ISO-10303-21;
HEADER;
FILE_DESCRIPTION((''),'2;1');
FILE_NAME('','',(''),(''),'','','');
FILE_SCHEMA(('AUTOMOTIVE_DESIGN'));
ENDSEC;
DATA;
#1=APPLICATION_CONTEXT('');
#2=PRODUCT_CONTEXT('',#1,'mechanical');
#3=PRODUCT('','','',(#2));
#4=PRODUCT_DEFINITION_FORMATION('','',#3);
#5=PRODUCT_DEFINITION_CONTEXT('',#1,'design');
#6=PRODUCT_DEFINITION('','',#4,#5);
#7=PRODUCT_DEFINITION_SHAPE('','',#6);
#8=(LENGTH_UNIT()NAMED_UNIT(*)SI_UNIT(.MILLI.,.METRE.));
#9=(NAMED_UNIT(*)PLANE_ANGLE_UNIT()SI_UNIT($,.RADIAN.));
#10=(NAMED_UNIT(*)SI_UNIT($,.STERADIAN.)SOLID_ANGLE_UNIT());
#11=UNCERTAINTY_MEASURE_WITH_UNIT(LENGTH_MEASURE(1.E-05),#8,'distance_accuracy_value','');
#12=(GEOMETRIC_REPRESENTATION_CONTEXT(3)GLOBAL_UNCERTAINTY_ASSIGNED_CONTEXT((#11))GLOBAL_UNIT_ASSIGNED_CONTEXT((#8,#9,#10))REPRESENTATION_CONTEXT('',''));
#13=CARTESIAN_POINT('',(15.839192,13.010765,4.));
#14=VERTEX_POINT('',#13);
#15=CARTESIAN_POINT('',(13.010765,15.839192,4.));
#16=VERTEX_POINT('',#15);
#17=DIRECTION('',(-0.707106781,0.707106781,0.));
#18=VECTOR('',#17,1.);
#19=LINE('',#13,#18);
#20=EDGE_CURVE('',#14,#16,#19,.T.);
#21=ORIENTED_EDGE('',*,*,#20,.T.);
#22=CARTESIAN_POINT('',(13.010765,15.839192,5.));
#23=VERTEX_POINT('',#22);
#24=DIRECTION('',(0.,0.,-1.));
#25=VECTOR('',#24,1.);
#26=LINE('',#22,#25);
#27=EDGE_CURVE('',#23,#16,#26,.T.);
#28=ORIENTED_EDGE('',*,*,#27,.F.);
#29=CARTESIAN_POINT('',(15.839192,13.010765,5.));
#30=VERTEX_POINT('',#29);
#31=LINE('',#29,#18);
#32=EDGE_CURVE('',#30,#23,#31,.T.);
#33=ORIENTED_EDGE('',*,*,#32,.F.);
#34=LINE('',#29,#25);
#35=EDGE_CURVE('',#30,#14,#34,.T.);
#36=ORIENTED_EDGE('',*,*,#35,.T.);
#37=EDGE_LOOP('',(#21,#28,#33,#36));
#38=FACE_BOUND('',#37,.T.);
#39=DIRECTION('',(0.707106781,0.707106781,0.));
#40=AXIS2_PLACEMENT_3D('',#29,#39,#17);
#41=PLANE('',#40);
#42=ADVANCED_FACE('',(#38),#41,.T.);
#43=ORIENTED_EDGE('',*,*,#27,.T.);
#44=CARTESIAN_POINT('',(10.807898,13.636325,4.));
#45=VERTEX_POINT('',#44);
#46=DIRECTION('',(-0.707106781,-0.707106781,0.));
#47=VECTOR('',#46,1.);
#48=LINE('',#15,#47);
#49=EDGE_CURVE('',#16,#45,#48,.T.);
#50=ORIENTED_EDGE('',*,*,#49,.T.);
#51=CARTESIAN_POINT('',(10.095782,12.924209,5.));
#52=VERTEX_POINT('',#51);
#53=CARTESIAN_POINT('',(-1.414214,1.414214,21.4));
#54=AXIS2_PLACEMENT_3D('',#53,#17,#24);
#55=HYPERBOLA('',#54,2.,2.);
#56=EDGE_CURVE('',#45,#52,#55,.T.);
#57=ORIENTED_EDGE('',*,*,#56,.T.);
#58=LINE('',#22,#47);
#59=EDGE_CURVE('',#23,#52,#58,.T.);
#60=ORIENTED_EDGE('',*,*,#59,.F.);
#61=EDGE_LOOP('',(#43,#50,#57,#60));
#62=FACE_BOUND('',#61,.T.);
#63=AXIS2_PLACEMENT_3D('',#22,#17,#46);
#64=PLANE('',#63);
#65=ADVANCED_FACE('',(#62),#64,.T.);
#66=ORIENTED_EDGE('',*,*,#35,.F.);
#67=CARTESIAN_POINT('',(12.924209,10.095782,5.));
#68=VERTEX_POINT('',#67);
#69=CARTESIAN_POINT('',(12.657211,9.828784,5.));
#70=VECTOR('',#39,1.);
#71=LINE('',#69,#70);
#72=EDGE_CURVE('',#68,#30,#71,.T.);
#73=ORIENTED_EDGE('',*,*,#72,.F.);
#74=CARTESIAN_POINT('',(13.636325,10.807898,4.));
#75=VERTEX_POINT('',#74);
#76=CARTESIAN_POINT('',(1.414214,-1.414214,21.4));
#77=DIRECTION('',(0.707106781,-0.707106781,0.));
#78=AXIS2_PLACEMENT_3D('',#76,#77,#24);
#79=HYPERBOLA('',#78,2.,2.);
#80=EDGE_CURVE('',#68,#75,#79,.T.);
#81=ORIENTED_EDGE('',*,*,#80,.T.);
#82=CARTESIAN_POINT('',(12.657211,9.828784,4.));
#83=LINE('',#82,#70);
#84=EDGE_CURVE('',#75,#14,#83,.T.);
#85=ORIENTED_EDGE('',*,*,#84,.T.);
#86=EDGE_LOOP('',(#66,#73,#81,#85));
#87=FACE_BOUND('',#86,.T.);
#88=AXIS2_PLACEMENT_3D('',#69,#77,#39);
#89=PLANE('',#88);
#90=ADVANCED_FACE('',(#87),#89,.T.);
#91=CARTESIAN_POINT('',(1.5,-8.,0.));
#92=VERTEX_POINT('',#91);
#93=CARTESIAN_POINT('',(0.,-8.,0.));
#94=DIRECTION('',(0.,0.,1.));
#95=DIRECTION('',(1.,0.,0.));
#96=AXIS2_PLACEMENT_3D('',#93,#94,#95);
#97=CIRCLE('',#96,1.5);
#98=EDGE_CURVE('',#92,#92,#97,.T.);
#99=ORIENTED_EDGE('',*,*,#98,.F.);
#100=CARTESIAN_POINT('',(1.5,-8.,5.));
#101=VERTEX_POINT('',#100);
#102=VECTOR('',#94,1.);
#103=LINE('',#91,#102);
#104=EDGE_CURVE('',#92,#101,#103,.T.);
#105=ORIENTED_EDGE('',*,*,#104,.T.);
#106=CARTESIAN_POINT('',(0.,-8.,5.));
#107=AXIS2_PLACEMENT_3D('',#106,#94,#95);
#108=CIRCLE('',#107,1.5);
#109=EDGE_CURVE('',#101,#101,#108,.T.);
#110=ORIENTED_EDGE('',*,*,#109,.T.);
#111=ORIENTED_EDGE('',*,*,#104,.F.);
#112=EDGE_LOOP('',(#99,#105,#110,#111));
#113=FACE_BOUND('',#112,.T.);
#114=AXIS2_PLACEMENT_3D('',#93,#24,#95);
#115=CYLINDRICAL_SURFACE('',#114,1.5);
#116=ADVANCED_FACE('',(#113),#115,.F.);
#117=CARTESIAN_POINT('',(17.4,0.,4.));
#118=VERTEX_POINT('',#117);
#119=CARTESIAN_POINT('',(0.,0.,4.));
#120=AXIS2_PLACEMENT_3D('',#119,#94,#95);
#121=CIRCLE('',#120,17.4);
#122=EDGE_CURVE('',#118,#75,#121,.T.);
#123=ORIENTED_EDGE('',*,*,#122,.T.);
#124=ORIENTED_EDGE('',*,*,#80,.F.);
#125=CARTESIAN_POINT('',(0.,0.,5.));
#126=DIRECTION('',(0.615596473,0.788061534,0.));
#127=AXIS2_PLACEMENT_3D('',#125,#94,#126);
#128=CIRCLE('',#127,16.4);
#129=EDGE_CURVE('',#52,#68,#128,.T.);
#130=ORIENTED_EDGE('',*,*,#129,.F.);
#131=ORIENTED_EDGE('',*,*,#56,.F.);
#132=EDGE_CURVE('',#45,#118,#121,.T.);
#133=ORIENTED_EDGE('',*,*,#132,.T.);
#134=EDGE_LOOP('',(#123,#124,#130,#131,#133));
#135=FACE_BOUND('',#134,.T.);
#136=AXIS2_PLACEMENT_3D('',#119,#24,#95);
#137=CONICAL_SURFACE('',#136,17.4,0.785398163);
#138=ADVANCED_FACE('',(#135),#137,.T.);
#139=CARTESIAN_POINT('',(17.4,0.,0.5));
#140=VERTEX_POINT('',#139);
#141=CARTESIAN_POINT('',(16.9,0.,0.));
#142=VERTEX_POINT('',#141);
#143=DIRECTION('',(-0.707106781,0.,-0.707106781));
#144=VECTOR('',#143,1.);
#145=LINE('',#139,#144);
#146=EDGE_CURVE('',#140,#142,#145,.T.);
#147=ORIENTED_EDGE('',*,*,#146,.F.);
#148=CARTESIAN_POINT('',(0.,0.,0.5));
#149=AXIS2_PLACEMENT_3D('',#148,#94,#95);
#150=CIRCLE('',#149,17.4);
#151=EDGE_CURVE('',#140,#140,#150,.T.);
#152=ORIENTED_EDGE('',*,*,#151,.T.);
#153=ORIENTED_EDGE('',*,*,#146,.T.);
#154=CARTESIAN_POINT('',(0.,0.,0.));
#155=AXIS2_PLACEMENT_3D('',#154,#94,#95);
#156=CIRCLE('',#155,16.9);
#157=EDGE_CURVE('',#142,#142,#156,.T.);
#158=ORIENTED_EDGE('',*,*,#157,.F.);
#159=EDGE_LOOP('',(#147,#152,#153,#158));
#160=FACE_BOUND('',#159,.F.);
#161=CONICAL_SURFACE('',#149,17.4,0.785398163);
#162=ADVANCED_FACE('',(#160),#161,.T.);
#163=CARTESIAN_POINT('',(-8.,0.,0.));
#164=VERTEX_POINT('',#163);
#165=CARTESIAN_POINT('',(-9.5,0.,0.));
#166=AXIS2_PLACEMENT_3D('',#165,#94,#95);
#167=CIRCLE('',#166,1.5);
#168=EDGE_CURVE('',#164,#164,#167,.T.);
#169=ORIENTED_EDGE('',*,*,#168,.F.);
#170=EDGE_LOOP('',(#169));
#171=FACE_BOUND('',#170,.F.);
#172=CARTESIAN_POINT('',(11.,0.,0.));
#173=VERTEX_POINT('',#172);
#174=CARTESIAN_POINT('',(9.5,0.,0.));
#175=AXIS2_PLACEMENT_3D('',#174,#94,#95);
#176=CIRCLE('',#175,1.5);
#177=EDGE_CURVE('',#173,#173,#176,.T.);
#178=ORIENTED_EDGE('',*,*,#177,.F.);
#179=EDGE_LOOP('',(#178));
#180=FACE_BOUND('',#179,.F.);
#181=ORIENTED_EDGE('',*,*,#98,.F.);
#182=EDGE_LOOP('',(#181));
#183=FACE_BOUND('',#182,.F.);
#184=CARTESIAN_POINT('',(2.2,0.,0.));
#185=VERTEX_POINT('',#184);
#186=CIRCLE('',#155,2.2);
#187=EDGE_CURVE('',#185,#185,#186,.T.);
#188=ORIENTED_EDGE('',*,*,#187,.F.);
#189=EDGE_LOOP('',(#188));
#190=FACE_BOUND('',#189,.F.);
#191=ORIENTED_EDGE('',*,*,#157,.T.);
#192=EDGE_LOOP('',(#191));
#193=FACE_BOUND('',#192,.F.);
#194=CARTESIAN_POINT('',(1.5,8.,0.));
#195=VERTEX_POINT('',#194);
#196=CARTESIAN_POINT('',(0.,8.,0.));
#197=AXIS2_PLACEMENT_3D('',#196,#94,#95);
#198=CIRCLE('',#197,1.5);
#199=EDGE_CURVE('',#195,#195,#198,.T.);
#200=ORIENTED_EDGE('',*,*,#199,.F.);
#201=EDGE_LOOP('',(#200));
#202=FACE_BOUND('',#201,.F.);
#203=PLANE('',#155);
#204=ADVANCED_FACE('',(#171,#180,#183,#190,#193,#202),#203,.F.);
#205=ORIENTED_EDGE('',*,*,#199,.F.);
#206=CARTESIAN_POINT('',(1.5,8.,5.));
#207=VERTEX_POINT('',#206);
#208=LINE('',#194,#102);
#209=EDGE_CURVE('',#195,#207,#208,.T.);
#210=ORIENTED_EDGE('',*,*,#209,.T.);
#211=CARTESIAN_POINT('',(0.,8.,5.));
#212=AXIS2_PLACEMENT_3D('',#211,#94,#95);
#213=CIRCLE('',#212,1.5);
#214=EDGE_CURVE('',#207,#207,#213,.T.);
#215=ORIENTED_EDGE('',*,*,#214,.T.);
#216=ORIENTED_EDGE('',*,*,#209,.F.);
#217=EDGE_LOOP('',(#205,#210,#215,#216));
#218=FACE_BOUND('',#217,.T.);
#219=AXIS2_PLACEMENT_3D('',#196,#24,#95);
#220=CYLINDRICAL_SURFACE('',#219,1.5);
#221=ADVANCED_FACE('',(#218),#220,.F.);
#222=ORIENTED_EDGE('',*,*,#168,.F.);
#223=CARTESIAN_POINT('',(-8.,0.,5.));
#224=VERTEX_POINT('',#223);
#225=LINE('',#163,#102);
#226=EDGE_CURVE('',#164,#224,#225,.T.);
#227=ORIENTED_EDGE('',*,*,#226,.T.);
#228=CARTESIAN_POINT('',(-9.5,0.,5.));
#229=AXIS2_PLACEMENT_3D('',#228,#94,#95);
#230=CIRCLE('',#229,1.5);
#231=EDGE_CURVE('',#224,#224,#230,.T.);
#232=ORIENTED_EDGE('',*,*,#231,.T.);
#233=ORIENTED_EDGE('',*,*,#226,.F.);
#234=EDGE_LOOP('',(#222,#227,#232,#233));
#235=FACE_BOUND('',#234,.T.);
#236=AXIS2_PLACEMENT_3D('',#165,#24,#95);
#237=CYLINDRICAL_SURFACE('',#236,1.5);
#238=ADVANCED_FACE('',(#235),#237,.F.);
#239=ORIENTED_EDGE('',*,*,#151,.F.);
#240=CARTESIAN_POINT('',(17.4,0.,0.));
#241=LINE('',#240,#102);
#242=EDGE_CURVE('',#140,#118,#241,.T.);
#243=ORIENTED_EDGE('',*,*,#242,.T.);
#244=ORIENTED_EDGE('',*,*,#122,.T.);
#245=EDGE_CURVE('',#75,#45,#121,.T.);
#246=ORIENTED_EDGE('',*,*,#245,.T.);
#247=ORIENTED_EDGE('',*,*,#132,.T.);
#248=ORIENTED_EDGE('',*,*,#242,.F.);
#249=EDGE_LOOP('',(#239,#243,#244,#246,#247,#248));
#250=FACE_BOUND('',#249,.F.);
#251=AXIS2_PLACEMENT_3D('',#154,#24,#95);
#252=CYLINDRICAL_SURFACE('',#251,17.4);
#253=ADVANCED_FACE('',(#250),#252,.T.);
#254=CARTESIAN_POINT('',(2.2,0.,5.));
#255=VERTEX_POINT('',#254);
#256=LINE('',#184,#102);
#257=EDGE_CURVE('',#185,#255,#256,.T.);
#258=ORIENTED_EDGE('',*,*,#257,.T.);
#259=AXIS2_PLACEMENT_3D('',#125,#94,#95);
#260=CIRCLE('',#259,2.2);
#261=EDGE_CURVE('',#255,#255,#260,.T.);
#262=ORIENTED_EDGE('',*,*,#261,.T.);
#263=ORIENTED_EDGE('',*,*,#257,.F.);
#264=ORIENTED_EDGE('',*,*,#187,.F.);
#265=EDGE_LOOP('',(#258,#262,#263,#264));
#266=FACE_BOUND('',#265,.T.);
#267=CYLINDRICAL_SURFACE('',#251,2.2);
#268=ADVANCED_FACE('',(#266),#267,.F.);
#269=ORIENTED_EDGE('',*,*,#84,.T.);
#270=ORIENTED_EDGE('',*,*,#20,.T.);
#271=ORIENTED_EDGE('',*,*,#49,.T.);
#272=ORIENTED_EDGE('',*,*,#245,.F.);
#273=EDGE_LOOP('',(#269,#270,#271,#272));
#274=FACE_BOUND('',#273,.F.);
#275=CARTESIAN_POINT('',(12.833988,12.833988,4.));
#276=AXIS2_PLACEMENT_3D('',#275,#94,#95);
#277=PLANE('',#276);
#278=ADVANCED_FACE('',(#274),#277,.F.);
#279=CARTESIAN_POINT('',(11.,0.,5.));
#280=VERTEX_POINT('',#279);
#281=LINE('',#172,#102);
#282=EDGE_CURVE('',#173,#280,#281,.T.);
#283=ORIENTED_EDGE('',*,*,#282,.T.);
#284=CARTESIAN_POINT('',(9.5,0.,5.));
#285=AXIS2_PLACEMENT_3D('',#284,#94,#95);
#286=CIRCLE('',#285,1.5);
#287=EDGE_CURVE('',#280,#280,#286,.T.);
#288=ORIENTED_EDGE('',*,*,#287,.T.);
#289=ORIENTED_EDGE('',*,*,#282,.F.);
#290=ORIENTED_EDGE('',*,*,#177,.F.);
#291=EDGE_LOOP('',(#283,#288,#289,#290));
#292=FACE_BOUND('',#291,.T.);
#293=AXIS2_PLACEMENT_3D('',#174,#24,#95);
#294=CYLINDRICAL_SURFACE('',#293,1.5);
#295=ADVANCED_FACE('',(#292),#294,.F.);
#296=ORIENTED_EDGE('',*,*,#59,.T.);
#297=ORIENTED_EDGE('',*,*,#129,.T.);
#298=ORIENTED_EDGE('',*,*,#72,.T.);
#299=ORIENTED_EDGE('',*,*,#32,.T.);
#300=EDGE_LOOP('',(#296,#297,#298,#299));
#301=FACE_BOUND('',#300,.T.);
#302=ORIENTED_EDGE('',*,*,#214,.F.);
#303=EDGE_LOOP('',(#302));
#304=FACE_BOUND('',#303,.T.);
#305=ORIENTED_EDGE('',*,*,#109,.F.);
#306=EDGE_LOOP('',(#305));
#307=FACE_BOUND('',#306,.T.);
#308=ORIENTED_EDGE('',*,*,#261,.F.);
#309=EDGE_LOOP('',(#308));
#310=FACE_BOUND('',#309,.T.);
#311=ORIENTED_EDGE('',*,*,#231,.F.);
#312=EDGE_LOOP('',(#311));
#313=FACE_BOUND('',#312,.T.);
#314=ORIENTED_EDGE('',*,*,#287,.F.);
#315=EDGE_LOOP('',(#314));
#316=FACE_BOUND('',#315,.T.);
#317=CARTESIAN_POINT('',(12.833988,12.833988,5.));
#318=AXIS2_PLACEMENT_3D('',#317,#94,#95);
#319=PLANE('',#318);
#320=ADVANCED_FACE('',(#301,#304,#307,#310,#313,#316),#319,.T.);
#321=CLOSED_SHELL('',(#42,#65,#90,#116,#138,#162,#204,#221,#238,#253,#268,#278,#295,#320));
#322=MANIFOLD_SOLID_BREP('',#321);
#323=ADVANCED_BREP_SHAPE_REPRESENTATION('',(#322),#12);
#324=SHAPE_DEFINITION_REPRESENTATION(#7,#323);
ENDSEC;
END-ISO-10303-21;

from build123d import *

# Parameters (mm, degrees)
F0_R     = 17.4
F0_R_2   = 1.5
F0_R_3   = 2.2
F1_DEPTH = 5
F2_SIZE  = 1
F3_SIZE  = 0.5
F5_DEPTH = 1


with BuildPart() as f1:
    # F0 (on Top) → F1 (new body)
    with BuildSketch(Plane.XY):
        Circle(F0_R)
        with Locations((0, -8)):
            Circle(F0_R_2, mode=Mode.SUBTRACT)
        with Locations((-9.5, 0)):
            Circle(F0_R_2, mode=Mode.SUBTRACT)
        Circle(F0_R_3, mode=Mode.SUBTRACT)
        with Locations((0, 8)):
            Circle(F0_R_2, mode=Mode.SUBTRACT)
        with Locations((9.5, 0)):
            Circle(F0_R_2, mode=Mode.SUBTRACT)
    extrude(amount=F1_DEPTH)

    # F2
    f2_edges = [f1.edges().sort_by_distance(p)[0] for p in [
        (-17.4, 0, 5),
    ]]
    chamfer(f2_edges, length=F2_SIZE)

    # F3
    f3_edges = [f1.edges().sort_by_distance(p)[0] for p in [
        (-17.4, 0, 0),
    ]]
    chamfer(f3_edges, length=F3_SIZE)

    # F4 (on face) → F5 (join)
    with BuildSketch(Plane.XY.offset(5)):
        Polygon((13.010765, 15.839192), (9.828784, 12.657211), (12.657211, 9.828784), (15.839192, 13.010765), align=None)
    extrude(amount=-F5_DEPTH)


solid = f1.part
